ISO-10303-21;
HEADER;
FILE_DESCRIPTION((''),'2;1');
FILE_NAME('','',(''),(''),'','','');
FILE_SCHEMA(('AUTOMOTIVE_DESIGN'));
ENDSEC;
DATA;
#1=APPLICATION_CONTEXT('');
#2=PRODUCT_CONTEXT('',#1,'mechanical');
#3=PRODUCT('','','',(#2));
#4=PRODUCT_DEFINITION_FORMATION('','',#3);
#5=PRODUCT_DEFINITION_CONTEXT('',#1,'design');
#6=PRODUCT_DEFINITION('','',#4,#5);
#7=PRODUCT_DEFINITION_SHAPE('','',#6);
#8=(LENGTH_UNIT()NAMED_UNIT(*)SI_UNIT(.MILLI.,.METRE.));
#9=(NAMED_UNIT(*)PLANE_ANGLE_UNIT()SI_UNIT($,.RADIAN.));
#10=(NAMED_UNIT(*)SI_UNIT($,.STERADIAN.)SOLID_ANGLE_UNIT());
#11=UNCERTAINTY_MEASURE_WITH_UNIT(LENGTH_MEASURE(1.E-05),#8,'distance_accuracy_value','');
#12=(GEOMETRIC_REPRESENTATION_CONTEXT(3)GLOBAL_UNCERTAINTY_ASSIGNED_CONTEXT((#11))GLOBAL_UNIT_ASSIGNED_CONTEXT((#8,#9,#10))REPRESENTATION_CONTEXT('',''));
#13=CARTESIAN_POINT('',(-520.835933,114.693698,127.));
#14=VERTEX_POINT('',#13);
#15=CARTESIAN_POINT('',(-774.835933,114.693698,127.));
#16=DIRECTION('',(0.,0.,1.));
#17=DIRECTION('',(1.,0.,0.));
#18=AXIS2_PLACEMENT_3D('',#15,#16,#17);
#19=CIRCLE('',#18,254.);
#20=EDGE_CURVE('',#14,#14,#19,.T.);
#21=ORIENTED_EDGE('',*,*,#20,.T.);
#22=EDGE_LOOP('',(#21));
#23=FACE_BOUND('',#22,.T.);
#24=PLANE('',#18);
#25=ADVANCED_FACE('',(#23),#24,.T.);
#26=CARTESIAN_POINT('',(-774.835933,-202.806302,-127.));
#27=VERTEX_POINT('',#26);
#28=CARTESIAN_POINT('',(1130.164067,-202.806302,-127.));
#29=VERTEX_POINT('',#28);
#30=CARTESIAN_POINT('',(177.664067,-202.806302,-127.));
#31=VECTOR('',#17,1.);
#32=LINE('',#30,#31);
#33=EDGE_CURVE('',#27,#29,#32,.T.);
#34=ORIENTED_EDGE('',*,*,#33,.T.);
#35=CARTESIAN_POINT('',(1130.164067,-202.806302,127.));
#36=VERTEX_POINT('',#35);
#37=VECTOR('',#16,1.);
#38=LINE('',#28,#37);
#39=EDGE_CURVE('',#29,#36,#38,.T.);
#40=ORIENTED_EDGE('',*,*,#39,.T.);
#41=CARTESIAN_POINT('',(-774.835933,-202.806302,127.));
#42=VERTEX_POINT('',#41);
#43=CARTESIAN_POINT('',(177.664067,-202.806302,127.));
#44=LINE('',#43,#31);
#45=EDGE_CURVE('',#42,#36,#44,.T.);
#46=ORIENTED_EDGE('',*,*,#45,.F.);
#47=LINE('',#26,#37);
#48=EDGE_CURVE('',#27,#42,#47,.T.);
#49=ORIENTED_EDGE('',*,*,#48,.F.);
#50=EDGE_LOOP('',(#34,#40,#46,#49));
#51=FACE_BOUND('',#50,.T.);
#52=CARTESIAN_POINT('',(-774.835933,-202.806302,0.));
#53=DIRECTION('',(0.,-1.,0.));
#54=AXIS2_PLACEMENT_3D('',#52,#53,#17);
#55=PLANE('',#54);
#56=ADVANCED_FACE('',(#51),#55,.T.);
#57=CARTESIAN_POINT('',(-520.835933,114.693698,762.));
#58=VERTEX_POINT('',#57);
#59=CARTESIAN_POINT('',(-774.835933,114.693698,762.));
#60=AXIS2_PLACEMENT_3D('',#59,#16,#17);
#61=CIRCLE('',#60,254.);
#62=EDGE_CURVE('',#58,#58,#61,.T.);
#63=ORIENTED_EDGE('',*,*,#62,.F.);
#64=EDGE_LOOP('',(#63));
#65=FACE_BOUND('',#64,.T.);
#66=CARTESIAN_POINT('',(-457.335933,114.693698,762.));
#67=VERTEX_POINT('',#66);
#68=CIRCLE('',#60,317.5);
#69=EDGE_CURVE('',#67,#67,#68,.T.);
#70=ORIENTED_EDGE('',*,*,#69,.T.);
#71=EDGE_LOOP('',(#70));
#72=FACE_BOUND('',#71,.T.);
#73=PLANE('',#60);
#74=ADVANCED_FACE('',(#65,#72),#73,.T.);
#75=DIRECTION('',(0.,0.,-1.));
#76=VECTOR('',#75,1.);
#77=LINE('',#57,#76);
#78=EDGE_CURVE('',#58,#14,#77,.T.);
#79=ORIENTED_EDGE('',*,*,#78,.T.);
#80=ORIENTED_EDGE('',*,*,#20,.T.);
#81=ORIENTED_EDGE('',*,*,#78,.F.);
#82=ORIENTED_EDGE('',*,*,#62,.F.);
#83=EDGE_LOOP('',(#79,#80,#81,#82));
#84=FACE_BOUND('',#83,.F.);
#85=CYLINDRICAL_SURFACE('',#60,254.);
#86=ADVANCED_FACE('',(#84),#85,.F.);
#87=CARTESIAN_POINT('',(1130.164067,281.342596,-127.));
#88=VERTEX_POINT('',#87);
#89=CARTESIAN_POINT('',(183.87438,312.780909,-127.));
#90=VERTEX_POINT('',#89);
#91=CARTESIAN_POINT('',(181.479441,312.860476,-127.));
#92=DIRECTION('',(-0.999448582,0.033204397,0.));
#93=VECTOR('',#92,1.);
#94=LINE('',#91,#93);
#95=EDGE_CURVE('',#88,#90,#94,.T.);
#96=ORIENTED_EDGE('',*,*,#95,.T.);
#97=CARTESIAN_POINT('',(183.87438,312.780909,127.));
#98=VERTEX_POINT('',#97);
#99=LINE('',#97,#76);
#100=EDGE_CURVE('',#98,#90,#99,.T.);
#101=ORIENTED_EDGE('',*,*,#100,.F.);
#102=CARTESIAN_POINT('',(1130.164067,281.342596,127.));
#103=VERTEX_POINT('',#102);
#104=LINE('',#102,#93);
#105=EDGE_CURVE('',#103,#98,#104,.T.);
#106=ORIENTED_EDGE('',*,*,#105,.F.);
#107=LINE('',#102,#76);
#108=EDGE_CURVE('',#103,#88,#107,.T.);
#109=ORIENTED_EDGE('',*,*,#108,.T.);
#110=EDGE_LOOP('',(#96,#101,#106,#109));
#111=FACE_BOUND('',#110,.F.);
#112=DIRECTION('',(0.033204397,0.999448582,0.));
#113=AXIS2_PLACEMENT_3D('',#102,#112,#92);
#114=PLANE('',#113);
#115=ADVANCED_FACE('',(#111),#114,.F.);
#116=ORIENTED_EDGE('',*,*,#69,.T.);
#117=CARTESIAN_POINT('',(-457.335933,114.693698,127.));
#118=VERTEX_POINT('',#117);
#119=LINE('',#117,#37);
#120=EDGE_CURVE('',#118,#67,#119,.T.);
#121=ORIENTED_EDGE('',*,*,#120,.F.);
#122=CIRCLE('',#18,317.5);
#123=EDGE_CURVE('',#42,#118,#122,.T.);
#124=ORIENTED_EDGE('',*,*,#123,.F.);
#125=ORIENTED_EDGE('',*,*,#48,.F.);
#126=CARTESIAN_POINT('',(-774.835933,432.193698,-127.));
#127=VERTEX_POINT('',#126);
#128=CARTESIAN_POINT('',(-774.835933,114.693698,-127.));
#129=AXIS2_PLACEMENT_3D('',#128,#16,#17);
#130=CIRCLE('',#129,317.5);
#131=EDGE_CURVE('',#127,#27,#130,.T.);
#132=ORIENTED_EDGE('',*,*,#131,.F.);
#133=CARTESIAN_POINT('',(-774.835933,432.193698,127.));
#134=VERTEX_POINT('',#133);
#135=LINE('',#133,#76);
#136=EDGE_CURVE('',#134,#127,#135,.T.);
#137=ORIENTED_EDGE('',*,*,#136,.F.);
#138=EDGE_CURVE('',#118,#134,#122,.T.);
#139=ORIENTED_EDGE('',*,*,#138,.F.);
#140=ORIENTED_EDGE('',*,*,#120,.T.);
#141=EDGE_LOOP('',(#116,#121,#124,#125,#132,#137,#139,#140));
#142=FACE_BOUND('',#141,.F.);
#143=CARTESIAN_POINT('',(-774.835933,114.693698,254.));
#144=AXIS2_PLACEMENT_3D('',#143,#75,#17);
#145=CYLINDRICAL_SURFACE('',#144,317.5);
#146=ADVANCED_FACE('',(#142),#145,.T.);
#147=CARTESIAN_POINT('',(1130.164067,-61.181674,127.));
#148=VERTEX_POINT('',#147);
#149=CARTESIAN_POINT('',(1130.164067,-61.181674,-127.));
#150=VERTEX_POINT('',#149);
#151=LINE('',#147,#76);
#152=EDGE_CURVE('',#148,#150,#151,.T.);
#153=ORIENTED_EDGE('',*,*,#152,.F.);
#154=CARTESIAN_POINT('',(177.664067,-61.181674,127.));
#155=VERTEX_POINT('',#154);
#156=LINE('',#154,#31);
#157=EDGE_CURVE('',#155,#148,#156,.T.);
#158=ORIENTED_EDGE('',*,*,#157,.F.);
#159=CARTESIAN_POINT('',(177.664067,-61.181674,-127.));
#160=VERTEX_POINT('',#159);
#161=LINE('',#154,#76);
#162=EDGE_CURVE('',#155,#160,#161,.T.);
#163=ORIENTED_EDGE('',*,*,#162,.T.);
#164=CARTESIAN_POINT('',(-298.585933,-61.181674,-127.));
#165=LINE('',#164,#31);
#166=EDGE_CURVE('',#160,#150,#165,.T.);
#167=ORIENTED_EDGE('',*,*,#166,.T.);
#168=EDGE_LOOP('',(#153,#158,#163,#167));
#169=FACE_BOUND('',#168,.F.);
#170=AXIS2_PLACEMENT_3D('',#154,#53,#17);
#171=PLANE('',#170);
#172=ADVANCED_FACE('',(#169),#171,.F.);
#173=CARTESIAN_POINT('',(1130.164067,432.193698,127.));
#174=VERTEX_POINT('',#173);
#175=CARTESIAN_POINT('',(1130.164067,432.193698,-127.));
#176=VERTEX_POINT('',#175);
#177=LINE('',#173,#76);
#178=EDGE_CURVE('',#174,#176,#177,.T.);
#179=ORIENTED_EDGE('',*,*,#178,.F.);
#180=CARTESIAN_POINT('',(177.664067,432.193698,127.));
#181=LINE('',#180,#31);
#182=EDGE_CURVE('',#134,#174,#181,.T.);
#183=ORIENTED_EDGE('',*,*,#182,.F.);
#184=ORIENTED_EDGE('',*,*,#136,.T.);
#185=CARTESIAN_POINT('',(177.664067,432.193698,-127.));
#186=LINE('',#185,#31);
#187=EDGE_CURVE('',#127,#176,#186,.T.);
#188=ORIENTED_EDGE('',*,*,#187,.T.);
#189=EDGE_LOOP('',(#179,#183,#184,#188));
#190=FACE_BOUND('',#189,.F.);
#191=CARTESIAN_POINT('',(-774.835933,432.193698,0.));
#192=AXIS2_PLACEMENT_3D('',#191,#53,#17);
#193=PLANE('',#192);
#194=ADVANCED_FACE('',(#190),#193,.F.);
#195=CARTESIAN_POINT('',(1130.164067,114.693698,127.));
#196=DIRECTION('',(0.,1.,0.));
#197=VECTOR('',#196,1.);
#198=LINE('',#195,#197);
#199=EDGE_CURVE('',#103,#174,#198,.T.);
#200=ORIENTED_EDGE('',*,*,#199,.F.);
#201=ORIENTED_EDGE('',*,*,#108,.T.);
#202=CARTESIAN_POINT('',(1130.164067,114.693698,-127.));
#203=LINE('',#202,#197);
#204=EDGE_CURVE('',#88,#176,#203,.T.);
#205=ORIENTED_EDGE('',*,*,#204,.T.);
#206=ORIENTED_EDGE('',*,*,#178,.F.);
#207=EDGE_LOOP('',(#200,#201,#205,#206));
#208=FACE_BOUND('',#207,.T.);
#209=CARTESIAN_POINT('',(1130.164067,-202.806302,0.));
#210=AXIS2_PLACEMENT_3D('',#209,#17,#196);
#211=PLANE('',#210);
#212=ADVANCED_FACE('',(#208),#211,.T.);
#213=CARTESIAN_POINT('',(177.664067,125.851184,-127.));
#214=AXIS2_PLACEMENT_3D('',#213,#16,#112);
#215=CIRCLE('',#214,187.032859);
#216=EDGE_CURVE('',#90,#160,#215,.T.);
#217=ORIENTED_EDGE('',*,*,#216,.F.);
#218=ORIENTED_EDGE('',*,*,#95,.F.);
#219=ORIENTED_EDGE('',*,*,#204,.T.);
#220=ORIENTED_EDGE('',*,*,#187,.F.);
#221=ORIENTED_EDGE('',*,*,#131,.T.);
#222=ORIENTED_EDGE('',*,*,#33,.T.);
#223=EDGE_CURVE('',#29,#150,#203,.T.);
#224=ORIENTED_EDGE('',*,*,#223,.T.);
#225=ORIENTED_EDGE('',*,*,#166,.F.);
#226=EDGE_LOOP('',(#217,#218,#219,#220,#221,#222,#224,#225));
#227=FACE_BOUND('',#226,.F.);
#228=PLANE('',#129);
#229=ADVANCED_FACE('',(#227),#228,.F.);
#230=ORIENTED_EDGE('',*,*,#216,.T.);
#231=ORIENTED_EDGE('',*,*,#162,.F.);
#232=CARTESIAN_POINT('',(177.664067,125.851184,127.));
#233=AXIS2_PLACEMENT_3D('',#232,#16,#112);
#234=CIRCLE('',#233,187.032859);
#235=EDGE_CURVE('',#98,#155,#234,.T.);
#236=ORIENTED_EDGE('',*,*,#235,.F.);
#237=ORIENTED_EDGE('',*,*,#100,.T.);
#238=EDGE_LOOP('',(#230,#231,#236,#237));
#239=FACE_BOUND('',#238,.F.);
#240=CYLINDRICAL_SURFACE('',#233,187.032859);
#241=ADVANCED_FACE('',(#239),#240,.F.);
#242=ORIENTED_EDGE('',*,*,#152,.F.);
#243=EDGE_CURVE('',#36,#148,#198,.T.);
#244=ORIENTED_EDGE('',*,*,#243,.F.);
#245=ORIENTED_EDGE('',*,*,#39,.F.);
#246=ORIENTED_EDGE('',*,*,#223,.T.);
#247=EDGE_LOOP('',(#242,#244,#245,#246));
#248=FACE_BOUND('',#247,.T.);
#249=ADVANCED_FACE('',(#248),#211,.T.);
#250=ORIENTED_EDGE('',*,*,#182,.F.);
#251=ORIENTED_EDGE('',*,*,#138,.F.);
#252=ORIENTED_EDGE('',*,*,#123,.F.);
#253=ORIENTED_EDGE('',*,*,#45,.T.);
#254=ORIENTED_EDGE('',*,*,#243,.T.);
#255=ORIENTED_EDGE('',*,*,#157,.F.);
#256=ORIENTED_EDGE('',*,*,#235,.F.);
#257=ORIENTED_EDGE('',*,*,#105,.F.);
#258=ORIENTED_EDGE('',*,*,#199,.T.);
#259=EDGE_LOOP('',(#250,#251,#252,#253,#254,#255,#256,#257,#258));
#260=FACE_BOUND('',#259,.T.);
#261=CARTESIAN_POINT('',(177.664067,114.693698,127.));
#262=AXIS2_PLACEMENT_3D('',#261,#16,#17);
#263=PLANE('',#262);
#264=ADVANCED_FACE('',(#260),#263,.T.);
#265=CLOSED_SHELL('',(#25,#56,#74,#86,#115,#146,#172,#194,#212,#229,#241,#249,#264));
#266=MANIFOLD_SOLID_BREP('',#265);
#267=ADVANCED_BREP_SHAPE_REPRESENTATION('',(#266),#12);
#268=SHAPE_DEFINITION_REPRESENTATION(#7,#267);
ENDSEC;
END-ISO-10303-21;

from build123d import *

# Parameters (mm, degrees)
F0_W     = 1905
F0_H     = 635
F1_DEPTH = 127
F2_R     = 317.5
F3_DEPTH = 127
F4_DEPTH = 127
F5_DEPTH = 508
F6_R     = 254
F7_DEPTH = 635
F9_DEPTH = 254.001


with BuildPart() as f1:
    # F0 (on Top) → F1 (new body, symmetric)
    with BuildSketch(Plane.XY):
        with Locations((177.6640671305, 114.6936982827)):
            Rectangle(F0_W, F0_H)
    extrude(amount=F1_DEPTH, both=True)

    # F2 (on face) → F3 (join, symmetric)
    with BuildSketch(Plane.XY.offset(127)):
        with Locations((-774.8359328695, 114.6936982827)):
            Circle(F2_R)
    extrude(amount=F3_DEPTH, both=True)

    # F4 (add): a face of the model
    f4_faces = [f1.faces().sort_by_distance(p)[0] for p in [
        (-909.5871180206, 114.6936982827, 0),
    ]]
    extrude(f4_faces, amount=F4_DEPTH)

    # F5 (add): a face of the model
    f5_faces = [f1.faces().sort_by_distance(p)[0] for p in [
        (-774.8359328695, 114.6936982827, 254),
    ]]
    extrude(f5_faces, amount=F5_DEPTH)

    # F6 (on face) → F7 (cut)
    with BuildSketch(Plane.XY.offset(762)):
        with Locations((-774.8359328695, 114.6936982827)):
            Circle(F6_R)
    extrude(amount=-F7_DEPTH, mode=Mode.SUBTRACT)

    # F8 (on face) → F9 (cut, through all)
    with BuildSketch(Plane.XY.offset(127)):
        with BuildLine():
            Line((1130.1640671305, 281.3425958157), (183.8743803286, 312.780909445))
            ThreePointArc((183.8743803286, 312.780909445), (-9.3430063716, 128.9567688771), (177.6640671305, -61.1816744713))
            Line((177.6640671305, -61.1816744713), (1130.1640671305, -61.1816744713))
            Line((1130.1640671305, -61.1816744713), (1130.1640671305, 281.3425958157))
        make_face()
    extrude(amount=-F9_DEPTH, mode=Mode.SUBTRACT)


solid = f1.part
